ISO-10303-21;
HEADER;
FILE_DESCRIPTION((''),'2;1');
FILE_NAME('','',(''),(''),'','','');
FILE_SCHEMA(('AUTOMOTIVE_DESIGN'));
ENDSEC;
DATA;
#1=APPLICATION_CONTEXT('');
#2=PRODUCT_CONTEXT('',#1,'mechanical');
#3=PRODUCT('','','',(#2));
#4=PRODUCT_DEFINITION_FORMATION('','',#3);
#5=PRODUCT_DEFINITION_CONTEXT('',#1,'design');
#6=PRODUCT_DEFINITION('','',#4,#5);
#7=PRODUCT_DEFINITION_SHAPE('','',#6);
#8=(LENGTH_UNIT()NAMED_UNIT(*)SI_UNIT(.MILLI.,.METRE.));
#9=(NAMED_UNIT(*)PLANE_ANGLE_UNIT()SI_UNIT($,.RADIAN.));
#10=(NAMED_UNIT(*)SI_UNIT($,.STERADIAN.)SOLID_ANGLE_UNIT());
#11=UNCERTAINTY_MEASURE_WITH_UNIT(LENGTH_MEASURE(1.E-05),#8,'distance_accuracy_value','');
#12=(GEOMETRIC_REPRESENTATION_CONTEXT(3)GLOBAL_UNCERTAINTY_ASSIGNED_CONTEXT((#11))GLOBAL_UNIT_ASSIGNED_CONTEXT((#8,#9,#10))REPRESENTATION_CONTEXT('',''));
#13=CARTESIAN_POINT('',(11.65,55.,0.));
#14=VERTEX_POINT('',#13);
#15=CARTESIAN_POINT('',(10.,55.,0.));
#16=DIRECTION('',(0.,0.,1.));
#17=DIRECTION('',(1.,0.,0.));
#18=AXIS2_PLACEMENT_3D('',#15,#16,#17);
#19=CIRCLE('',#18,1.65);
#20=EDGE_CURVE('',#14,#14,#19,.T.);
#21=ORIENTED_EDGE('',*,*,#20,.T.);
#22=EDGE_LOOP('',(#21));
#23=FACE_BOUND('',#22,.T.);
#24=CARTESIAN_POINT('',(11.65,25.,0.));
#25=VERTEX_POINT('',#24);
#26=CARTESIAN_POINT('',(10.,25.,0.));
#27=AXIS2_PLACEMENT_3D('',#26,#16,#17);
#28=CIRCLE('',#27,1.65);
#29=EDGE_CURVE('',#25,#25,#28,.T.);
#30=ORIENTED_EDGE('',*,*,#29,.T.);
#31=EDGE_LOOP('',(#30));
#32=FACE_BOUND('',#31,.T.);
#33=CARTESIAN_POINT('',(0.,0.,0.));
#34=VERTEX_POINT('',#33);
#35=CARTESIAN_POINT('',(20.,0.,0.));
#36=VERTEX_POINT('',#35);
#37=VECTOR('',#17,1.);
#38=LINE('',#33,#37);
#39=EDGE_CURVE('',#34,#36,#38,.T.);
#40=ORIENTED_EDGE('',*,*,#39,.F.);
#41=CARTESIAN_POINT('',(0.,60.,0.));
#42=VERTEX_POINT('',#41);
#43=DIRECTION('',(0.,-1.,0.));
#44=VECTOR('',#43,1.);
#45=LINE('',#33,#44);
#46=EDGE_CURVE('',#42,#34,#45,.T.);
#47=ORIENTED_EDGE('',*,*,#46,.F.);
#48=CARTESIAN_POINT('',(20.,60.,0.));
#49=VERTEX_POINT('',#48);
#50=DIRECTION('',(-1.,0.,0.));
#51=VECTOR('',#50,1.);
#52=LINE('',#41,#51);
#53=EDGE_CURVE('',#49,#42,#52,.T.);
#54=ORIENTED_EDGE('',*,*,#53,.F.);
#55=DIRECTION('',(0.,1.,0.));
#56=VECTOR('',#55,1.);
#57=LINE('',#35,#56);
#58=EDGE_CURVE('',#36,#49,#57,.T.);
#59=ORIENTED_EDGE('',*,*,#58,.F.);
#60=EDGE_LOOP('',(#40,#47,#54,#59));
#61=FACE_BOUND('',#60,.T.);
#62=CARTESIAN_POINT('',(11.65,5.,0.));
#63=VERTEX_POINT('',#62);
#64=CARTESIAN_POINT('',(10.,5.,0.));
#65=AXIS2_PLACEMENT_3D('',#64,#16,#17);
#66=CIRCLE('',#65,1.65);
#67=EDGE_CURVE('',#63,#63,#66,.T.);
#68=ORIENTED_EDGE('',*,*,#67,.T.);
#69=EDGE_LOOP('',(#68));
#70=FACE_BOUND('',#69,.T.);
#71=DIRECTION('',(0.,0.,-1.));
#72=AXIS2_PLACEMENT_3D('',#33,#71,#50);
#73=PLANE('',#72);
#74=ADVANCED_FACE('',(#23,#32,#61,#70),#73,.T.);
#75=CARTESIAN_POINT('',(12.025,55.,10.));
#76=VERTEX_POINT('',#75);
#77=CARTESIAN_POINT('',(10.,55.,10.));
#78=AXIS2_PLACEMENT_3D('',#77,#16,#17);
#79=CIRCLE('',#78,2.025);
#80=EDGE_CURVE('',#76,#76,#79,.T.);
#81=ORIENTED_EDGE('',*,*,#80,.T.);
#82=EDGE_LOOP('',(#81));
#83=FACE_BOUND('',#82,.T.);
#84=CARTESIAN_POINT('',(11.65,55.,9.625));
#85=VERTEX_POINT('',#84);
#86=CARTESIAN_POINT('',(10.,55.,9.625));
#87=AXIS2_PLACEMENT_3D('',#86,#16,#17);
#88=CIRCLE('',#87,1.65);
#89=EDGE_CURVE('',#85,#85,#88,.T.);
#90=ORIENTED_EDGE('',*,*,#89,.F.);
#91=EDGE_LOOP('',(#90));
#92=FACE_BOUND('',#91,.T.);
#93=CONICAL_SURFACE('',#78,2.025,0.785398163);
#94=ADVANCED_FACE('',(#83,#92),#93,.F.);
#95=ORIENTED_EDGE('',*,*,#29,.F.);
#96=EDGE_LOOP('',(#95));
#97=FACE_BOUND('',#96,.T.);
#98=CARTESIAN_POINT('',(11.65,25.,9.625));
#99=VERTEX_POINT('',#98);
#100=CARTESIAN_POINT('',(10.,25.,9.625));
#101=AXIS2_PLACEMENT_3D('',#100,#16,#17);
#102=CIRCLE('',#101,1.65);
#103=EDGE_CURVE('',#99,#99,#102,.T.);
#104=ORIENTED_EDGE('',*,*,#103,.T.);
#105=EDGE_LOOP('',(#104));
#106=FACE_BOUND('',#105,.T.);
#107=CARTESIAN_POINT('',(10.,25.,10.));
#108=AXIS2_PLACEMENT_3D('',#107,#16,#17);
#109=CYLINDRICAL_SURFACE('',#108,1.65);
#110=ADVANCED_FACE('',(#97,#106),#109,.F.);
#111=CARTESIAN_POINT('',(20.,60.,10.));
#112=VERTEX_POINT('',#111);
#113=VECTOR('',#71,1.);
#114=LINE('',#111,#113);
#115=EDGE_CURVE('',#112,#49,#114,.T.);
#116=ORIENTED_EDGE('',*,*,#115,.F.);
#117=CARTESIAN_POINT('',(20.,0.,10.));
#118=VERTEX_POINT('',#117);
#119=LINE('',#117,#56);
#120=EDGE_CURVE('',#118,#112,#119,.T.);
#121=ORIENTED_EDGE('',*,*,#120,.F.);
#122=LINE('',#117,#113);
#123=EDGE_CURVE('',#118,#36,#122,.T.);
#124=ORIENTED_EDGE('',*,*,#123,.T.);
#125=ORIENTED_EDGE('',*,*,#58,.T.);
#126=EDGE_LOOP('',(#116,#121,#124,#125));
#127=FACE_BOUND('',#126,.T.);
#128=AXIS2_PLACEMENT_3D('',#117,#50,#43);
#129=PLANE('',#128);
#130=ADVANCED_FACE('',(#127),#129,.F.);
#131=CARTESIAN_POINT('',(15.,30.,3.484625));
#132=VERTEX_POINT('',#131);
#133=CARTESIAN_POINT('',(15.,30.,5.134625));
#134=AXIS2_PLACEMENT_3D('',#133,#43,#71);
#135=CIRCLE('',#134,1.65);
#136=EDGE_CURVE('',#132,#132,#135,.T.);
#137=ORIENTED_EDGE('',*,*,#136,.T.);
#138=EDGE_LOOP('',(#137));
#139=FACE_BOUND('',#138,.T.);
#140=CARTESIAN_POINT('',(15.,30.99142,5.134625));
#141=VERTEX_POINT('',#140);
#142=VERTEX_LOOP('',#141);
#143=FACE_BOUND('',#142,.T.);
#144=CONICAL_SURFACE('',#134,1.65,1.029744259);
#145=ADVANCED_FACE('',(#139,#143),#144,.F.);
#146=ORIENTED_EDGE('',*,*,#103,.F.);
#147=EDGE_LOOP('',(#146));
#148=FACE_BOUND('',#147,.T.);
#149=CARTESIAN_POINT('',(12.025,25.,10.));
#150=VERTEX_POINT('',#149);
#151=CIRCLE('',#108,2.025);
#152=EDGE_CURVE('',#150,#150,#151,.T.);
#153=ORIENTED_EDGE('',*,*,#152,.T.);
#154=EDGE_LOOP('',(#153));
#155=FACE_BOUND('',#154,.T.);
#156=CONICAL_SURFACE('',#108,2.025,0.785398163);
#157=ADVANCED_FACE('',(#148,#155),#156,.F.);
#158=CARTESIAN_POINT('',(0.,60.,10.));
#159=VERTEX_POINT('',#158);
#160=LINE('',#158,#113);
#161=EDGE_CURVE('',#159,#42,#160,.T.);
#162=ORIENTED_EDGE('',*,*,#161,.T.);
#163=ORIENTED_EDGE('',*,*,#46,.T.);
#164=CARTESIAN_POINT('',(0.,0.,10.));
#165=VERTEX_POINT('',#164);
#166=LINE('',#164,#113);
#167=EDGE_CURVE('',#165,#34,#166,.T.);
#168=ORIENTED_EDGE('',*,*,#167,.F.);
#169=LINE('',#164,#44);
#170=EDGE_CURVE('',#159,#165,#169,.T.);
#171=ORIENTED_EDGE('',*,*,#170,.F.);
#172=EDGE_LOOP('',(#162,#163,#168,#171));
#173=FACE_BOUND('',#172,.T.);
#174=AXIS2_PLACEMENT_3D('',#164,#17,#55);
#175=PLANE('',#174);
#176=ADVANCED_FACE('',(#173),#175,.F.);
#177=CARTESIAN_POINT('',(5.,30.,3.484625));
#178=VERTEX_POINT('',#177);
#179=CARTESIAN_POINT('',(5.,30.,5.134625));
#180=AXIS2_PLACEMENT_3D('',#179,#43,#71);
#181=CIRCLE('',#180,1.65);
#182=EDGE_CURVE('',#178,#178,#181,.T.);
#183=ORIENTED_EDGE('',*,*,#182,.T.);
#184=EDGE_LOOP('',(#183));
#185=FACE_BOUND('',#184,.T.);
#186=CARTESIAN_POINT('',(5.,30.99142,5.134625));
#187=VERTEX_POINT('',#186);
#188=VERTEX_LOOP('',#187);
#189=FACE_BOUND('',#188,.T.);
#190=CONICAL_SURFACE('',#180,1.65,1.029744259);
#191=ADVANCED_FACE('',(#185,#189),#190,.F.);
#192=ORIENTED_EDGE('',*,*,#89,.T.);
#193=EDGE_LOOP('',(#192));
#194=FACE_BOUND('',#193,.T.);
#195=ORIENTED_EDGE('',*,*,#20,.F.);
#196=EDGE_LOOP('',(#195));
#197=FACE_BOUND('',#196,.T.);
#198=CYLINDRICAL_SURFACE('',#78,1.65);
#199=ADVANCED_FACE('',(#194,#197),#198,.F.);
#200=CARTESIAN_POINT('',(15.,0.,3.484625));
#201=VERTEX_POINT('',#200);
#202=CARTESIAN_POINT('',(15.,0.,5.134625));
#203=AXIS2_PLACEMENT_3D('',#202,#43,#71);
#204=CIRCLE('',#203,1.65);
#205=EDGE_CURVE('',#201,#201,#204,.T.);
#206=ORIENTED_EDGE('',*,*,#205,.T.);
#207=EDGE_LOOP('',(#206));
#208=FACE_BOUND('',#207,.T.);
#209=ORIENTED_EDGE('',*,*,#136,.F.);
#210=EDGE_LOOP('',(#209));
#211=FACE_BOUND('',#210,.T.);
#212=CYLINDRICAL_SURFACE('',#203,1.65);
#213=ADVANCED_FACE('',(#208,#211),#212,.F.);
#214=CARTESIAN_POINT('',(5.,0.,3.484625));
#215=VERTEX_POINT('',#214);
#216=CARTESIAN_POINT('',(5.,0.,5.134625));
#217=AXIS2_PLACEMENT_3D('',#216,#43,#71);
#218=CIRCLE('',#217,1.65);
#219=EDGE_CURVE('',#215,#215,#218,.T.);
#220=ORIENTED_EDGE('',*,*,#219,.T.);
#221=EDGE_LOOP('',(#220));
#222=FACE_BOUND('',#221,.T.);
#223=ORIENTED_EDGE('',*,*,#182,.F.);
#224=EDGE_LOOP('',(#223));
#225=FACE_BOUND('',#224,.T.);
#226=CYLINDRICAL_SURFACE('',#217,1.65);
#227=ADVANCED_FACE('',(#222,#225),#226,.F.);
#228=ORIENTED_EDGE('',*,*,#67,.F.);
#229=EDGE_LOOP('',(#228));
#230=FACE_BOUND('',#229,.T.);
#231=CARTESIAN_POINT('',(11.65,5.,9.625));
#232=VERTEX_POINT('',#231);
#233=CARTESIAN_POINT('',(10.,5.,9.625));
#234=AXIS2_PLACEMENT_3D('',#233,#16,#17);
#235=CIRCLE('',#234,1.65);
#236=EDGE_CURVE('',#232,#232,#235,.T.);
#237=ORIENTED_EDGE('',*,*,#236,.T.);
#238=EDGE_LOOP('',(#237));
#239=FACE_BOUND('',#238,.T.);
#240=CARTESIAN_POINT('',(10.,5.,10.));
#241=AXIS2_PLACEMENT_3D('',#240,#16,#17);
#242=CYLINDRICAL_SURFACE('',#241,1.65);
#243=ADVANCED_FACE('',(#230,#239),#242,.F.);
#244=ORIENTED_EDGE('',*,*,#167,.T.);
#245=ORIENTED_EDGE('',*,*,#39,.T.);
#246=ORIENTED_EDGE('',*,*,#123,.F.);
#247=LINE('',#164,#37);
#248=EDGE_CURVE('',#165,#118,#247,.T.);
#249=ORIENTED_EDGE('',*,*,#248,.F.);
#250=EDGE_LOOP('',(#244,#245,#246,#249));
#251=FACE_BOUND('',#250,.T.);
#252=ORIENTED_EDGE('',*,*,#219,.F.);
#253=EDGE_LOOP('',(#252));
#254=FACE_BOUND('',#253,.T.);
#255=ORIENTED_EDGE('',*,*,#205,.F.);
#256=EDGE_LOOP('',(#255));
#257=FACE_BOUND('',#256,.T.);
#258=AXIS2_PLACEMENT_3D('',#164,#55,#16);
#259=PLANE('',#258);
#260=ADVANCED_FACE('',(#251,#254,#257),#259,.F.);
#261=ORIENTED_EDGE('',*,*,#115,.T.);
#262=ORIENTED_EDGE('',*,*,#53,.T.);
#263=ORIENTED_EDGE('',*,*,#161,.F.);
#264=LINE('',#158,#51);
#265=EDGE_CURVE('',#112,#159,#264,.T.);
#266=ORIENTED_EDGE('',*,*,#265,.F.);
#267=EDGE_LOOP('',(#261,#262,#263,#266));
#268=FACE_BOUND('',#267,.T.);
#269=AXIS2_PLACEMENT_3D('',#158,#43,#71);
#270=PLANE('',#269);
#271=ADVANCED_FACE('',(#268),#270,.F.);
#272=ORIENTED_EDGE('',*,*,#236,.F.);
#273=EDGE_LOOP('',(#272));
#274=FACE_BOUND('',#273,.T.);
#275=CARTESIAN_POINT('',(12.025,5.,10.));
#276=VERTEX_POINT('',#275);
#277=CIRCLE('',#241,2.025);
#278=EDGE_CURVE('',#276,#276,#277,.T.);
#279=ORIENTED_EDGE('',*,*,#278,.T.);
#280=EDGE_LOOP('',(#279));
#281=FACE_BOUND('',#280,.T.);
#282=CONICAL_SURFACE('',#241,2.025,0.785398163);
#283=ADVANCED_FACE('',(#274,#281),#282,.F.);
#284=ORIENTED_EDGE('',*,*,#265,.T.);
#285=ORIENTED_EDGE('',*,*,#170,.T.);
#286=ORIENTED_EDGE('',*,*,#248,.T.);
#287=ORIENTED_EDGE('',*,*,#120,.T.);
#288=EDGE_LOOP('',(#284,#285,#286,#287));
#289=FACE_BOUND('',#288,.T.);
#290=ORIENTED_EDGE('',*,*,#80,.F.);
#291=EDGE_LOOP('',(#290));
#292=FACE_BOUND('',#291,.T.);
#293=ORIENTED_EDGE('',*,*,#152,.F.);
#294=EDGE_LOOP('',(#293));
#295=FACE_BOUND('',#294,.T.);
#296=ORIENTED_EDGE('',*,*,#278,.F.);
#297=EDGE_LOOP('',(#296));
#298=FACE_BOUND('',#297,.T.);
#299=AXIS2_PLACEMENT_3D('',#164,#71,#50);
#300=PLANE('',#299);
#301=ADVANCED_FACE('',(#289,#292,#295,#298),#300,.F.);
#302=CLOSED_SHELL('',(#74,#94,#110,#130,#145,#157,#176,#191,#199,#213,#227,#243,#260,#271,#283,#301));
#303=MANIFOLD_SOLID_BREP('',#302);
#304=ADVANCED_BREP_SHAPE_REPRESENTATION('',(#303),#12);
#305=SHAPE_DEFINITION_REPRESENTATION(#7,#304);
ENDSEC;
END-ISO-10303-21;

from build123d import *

# Parameters (mm, degrees)
SKIZZE1_W                          = 20
SKIZZE1_H                          = 60
AUFSATZ_LINEAR_AUSTRAGEN1_DEPTH    = 10
M4X0_7_GEWINDEBOHRUNG2_D           = 3.3
M4X0_7_GEWINDEBOHRUNG2_CSINK_D     = 4.05
M4X0_7_GEWINDEBOHRUNG2_CSINK_ANGLE = 90
M4_GEWINDEBOHRUNG1_D               = 3.3
M4_GEWINDEBOHRUNG1_DEPTH           = 30
M4_GEWINDEBOHRUNG1_TIP             = 0.991420021


with BuildPart() as part:
    # Skizze1 → Aufsatz-Linear austragen1 (new body)
    with BuildSketch(Plane.XY):
        with Locations((10, 30)):
            Rectangle(SKIZZE1_W, SKIZZE1_H)
    extrude(amount=AUFSATZ_LINEAR_AUSTRAGEN1_DEPTH)

    # M4x0.7 Gewindebohrung2 (through all)
    with Locations(Plane.XY.offset(10)):
        with Locations((10, 55), (10, 25), (10, 5)):
            CounterSinkHole(M4X0_7_GEWINDEBOHRUNG2_D / 2, M4X0_7_GEWINDEBOHRUNG2_CSINK_D / 2, counter_sink_angle=M4X0_7_GEWINDEBOHRUNG2_CSINK_ANGLE)

    # M4 Gewindebohrung1
    with Locations(Plane(origin=(0, 0, 0), x_dir=(-1, 0, 0), z_dir=(0, -1, 0))):
        with Locations((-15, -5.134624931), (-5, -5.134624931)):
            Hole(M4_GEWINDEBOHRUNG1_D / 2, depth=M4_GEWINDEBOHRUNG1_DEPTH)
            with Locations((0, 0, -(M4_GEWINDEBOHRUNG1_DEPTH + M4_GEWINDEBOHRUNG1_TIP / 2))):  # 118° drill point
                Cone(0, M4_GEWINDEBOHRUNG1_D / 2, M4_GEWINDEBOHRUNG1_TIP, mode=Mode.SUBTRACT)


solid = part.part
